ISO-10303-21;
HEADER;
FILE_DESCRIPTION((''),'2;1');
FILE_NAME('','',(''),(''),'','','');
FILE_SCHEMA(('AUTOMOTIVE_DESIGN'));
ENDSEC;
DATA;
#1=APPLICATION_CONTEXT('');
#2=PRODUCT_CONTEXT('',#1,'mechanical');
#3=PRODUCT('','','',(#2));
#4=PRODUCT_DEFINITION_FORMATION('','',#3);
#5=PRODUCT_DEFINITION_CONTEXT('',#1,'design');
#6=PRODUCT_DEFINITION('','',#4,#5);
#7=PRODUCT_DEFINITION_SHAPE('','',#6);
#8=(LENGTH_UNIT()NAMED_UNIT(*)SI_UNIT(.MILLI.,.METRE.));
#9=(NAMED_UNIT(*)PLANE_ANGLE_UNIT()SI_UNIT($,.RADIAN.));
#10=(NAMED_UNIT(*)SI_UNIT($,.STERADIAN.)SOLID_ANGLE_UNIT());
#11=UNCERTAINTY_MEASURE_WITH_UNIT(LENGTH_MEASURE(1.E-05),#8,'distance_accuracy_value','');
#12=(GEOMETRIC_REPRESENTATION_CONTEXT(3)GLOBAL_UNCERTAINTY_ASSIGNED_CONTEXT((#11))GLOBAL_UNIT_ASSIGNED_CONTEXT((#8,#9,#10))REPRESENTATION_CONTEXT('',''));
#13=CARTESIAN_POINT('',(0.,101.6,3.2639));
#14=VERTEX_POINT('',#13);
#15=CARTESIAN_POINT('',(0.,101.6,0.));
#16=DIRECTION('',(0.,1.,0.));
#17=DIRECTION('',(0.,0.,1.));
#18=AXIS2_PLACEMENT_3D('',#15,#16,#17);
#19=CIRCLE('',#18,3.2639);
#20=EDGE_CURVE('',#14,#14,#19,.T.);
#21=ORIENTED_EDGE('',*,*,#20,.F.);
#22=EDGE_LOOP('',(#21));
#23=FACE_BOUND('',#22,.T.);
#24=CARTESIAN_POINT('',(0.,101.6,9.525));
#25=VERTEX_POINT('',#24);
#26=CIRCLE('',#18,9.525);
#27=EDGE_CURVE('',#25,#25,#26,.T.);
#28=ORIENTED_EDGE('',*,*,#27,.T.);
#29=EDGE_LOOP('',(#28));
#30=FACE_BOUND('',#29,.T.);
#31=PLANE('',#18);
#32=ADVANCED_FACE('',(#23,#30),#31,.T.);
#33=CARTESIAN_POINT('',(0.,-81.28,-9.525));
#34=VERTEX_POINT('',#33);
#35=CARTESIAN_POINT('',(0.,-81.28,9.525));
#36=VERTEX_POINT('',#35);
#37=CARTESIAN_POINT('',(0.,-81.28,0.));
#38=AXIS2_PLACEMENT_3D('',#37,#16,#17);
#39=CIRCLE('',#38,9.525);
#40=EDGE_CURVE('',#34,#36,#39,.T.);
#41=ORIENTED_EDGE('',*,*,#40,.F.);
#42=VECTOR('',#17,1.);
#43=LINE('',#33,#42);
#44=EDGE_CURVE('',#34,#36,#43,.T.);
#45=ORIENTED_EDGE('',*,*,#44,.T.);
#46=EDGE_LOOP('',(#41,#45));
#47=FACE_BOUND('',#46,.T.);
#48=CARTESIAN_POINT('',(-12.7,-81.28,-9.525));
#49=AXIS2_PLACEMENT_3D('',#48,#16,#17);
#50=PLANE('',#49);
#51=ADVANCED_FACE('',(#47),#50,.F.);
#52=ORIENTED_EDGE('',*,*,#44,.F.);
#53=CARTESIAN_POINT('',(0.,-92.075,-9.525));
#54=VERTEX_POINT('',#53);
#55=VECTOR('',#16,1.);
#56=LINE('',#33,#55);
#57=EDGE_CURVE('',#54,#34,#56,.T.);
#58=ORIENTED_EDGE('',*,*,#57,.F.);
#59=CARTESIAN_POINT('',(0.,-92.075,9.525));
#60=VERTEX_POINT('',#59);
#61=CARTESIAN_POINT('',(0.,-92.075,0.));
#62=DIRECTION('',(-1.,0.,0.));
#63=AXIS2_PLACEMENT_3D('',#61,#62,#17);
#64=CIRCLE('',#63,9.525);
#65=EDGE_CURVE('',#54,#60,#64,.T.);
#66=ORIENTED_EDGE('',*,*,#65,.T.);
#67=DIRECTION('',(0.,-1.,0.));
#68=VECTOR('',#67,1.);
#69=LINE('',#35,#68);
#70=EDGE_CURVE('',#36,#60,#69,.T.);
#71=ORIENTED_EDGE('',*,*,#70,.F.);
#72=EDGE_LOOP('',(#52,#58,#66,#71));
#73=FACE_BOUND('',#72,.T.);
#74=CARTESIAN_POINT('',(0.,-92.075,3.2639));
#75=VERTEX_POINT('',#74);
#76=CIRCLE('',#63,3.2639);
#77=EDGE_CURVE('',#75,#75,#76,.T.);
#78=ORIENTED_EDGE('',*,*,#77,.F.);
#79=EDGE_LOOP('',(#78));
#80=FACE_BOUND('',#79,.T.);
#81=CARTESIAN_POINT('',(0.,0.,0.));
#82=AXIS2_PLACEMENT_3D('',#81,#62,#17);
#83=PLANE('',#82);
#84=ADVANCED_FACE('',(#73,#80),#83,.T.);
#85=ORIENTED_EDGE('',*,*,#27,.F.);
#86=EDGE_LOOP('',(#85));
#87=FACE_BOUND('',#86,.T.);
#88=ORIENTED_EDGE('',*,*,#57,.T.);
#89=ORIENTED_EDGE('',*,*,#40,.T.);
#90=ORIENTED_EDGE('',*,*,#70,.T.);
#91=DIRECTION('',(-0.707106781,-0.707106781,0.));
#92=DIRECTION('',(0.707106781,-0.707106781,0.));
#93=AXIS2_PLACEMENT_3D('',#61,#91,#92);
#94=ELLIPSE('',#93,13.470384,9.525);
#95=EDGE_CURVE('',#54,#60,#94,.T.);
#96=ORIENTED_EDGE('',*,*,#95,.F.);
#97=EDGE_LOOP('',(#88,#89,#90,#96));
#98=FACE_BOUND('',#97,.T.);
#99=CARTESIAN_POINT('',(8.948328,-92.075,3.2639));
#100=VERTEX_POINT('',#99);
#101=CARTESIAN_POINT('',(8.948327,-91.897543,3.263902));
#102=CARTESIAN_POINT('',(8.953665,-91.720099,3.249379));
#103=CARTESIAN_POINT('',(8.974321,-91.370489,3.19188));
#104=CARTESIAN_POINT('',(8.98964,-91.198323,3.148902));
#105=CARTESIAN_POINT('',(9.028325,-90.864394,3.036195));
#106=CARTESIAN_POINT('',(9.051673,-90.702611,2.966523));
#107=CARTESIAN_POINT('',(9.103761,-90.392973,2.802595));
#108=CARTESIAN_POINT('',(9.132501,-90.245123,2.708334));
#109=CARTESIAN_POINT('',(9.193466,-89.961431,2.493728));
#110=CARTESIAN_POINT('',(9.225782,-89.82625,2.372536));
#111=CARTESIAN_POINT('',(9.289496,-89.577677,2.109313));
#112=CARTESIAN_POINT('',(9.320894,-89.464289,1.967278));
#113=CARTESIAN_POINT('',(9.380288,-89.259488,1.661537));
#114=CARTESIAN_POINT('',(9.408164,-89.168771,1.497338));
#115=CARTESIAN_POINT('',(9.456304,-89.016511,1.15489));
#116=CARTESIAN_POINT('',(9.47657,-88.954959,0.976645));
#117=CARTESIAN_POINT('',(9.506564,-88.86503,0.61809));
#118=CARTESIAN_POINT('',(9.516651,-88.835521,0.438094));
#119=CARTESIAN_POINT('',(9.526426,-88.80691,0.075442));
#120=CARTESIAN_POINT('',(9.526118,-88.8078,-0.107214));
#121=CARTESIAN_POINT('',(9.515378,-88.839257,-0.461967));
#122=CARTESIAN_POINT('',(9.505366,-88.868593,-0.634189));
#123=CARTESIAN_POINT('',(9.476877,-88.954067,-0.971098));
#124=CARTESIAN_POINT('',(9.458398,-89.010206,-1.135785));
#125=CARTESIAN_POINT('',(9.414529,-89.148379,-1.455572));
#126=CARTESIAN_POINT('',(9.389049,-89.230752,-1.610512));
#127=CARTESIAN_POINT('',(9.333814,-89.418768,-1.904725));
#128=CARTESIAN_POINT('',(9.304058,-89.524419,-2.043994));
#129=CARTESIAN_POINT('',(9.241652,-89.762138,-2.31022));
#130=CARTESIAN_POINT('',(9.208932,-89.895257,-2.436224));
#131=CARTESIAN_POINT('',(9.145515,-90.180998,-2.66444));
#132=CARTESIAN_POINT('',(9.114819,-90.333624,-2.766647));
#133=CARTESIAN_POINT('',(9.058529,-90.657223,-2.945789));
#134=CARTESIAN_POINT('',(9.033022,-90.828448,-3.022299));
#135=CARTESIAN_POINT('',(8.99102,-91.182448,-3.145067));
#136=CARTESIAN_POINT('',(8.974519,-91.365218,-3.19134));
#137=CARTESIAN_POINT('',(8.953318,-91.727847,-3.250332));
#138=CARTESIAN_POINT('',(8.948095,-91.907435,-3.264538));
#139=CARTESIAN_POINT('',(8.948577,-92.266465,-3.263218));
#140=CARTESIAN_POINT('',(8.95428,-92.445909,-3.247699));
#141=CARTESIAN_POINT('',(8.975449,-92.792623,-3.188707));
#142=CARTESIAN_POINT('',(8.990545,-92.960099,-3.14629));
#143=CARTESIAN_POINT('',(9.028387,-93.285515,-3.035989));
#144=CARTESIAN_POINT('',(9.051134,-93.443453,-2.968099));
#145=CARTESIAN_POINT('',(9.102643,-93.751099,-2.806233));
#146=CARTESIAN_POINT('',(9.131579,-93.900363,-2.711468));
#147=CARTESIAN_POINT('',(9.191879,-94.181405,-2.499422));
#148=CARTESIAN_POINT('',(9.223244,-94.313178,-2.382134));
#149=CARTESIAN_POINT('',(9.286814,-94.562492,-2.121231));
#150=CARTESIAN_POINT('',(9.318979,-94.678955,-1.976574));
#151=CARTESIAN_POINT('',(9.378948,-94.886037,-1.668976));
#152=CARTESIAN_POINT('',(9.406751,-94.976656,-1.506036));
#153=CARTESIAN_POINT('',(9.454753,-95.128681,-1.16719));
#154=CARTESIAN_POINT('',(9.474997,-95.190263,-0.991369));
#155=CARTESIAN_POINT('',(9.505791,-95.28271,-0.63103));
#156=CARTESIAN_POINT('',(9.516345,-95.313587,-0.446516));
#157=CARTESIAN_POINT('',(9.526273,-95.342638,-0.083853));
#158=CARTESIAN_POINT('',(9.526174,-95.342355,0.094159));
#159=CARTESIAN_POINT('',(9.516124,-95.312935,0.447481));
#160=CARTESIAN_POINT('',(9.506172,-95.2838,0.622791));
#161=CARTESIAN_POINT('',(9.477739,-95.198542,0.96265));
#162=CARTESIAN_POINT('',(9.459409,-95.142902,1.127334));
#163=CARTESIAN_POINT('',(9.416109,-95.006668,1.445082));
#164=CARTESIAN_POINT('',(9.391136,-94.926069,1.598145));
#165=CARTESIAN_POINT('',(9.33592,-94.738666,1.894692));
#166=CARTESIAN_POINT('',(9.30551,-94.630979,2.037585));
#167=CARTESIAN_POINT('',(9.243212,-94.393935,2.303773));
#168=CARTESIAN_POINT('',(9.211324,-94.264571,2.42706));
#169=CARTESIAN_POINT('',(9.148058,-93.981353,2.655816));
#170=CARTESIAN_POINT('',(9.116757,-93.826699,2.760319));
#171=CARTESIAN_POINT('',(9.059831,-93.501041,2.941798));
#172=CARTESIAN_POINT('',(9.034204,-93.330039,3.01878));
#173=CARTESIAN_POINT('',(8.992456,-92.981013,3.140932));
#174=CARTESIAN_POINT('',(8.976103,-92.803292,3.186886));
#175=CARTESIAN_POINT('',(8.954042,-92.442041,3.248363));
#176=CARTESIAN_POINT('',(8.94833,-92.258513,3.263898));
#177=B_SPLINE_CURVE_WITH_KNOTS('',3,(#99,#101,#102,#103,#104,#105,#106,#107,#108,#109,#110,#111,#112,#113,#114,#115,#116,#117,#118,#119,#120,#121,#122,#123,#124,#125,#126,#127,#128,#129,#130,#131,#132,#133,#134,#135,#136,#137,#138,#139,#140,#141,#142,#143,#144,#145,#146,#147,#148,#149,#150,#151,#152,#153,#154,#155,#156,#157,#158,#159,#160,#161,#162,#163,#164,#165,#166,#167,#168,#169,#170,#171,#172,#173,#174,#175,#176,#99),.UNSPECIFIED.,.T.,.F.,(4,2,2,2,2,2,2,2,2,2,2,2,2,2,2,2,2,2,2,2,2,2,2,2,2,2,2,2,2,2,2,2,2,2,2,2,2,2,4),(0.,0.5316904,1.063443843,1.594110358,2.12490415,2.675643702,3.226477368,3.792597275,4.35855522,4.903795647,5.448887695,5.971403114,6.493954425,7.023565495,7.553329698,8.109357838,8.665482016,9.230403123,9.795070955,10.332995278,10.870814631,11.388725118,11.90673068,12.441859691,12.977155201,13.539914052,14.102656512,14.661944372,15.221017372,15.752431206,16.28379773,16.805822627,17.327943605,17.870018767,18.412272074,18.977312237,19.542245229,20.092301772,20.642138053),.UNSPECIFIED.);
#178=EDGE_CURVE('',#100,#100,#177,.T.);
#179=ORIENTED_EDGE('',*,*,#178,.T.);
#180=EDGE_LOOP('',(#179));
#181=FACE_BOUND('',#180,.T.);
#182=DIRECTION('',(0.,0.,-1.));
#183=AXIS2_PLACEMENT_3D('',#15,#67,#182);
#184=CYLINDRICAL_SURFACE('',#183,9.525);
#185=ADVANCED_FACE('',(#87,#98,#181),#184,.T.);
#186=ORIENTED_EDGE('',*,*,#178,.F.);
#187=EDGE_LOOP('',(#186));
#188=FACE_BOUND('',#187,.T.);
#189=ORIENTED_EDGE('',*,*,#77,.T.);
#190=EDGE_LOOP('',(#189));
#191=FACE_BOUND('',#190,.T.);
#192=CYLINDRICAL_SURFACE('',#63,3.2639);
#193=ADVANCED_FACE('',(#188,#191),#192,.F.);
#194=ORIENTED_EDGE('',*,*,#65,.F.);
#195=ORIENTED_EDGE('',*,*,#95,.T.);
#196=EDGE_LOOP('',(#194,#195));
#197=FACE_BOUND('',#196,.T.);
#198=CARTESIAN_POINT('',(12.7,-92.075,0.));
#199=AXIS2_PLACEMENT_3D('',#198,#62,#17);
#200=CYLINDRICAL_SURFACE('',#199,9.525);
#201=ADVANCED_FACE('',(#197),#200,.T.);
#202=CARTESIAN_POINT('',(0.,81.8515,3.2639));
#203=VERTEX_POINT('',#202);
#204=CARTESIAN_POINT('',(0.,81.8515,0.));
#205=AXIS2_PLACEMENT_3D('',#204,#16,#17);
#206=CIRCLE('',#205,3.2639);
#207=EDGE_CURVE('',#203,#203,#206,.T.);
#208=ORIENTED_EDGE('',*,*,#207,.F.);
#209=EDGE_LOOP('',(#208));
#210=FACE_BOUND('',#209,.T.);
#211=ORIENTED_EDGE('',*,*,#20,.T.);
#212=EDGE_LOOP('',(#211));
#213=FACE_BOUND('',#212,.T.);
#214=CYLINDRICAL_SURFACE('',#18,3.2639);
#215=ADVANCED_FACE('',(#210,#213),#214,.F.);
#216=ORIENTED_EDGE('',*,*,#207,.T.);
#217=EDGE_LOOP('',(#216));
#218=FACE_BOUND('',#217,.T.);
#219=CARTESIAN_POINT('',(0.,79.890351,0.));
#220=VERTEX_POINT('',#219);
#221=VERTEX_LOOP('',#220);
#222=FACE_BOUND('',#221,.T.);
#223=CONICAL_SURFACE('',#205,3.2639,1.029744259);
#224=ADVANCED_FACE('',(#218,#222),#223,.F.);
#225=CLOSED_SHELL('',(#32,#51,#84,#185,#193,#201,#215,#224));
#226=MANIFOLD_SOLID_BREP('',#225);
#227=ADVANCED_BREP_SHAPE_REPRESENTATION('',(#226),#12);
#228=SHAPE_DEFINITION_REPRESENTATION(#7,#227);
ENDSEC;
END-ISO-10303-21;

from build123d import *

# Parameters (mm, degrees)
CROQUIS1_R                     = 9.525
SALIENTE_EXTRUIR1_DEPTH        = 101.6
CROQUIS2_W                     = 19.05
CROQUIS2_H                     = 20.32
CORTAR_EXTRUIR1_DEPTH          = 12.7
CORTAR_EXTRUIR2_DEPTH          = 12.7
TALADRO_ROSCADO_5_16_181_D     = 6.5278
TALADRO_ROSCADO_5_16_181_DEPTH = 22.9235
TALADRO_ROSCADO_5_16_181_TIP   = 1.961148974
TALADRO_ROSCADO_5_16_182_D     = 6.5278
TALADRO_ROSCADO_5_16_182_DEPTH = 19.7485
TALADRO_ROSCADO_5_16_182_TIP   = 1.961148974


with BuildPart() as part:
    # Croquis1 → Saliente-Extruir1 (new, symmetric)
    with BuildSketch(Plane(origin=(0, 0, 0), x_dir=(1, 0, 0), z_dir=(0, 1, 0))):
        with Locations(Location((0, 0, 0), (0, 0, 270))):
            Circle(CROQUIS1_R)
    extrude(amount=SALIENTE_EXTRUIR1_DEPTH, both=True)

    # Croquis2 → Cortar-Extruir1 (cut)
    with BuildSketch(Plane(origin=(0, 0, 0), x_dir=(0, 0, -1), z_dir=(1, 0, 0))):
        with Locations((0, -91.44)):
            Rectangle(CROQUIS2_W, CROQUIS2_H)
    extrude(amount=-CORTAR_EXTRUIR1_DEPTH, mode=Mode.SUBTRACT)

    # Croquis3 → Cortar-Extruir2 (cut)
    with BuildSketch(Plane.ZY):
        with BuildLine():
            ThreePointArc((0, -101.6), (-6.735192091, -98.810192091), (-9.525, -92.075))
            Line((-9.525, -92.075), (-9.525, -101.6))
            Line((-9.525, -101.6), (0, -101.6))
        make_face()
        with BuildLine():
            ThreePointArc((9.525, -92.075), (6.735192091, -98.810192091), (0, -101.6))
            Line((0, -101.6), (9.525, -101.6))
            Line((9.525, -101.6), (9.525, -92.075))
        make_face()
    extrude(amount=-CORTAR_EXTRUIR2_DEPTH, mode=Mode.SUBTRACT)

    # Taladro roscado 5/16-181
    with Locations(Plane.ZY):
        with Locations((0, -92.075)):
            Hole(TALADRO_ROSCADO_5_16_181_D / 2, depth=TALADRO_ROSCADO_5_16_181_DEPTH)
            with Locations((0, 0, -(TALADRO_ROSCADO_5_16_181_DEPTH + TALADRO_ROSCADO_5_16_181_TIP / 2))):  # 118° drill point
                Cone(0, TALADRO_ROSCADO_5_16_181_D / 2, TALADRO_ROSCADO_5_16_181_TIP, mode=Mode.SUBTRACT)

    # Taladro roscado 5/16-182
    with Locations(Plane(origin=(0, 101.6, 0), x_dir=(1, 0, 0), z_dir=(0, 1, 0))):
        with Locations((0, 0)):
            Hole(TALADRO_ROSCADO_5_16_182_D / 2, depth=TALADRO_ROSCADO_5_16_182_DEPTH)
            with Locations((0, 0, -(TALADRO_ROSCADO_5_16_182_DEPTH + TALADRO_ROSCADO_5_16_182_TIP / 2))):  # 118° drill point
                Cone(0, TALADRO_ROSCADO_5_16_182_D / 2, TALADRO_ROSCADO_5_16_182_TIP, mode=Mode.SUBTRACT)


solid = part.part
